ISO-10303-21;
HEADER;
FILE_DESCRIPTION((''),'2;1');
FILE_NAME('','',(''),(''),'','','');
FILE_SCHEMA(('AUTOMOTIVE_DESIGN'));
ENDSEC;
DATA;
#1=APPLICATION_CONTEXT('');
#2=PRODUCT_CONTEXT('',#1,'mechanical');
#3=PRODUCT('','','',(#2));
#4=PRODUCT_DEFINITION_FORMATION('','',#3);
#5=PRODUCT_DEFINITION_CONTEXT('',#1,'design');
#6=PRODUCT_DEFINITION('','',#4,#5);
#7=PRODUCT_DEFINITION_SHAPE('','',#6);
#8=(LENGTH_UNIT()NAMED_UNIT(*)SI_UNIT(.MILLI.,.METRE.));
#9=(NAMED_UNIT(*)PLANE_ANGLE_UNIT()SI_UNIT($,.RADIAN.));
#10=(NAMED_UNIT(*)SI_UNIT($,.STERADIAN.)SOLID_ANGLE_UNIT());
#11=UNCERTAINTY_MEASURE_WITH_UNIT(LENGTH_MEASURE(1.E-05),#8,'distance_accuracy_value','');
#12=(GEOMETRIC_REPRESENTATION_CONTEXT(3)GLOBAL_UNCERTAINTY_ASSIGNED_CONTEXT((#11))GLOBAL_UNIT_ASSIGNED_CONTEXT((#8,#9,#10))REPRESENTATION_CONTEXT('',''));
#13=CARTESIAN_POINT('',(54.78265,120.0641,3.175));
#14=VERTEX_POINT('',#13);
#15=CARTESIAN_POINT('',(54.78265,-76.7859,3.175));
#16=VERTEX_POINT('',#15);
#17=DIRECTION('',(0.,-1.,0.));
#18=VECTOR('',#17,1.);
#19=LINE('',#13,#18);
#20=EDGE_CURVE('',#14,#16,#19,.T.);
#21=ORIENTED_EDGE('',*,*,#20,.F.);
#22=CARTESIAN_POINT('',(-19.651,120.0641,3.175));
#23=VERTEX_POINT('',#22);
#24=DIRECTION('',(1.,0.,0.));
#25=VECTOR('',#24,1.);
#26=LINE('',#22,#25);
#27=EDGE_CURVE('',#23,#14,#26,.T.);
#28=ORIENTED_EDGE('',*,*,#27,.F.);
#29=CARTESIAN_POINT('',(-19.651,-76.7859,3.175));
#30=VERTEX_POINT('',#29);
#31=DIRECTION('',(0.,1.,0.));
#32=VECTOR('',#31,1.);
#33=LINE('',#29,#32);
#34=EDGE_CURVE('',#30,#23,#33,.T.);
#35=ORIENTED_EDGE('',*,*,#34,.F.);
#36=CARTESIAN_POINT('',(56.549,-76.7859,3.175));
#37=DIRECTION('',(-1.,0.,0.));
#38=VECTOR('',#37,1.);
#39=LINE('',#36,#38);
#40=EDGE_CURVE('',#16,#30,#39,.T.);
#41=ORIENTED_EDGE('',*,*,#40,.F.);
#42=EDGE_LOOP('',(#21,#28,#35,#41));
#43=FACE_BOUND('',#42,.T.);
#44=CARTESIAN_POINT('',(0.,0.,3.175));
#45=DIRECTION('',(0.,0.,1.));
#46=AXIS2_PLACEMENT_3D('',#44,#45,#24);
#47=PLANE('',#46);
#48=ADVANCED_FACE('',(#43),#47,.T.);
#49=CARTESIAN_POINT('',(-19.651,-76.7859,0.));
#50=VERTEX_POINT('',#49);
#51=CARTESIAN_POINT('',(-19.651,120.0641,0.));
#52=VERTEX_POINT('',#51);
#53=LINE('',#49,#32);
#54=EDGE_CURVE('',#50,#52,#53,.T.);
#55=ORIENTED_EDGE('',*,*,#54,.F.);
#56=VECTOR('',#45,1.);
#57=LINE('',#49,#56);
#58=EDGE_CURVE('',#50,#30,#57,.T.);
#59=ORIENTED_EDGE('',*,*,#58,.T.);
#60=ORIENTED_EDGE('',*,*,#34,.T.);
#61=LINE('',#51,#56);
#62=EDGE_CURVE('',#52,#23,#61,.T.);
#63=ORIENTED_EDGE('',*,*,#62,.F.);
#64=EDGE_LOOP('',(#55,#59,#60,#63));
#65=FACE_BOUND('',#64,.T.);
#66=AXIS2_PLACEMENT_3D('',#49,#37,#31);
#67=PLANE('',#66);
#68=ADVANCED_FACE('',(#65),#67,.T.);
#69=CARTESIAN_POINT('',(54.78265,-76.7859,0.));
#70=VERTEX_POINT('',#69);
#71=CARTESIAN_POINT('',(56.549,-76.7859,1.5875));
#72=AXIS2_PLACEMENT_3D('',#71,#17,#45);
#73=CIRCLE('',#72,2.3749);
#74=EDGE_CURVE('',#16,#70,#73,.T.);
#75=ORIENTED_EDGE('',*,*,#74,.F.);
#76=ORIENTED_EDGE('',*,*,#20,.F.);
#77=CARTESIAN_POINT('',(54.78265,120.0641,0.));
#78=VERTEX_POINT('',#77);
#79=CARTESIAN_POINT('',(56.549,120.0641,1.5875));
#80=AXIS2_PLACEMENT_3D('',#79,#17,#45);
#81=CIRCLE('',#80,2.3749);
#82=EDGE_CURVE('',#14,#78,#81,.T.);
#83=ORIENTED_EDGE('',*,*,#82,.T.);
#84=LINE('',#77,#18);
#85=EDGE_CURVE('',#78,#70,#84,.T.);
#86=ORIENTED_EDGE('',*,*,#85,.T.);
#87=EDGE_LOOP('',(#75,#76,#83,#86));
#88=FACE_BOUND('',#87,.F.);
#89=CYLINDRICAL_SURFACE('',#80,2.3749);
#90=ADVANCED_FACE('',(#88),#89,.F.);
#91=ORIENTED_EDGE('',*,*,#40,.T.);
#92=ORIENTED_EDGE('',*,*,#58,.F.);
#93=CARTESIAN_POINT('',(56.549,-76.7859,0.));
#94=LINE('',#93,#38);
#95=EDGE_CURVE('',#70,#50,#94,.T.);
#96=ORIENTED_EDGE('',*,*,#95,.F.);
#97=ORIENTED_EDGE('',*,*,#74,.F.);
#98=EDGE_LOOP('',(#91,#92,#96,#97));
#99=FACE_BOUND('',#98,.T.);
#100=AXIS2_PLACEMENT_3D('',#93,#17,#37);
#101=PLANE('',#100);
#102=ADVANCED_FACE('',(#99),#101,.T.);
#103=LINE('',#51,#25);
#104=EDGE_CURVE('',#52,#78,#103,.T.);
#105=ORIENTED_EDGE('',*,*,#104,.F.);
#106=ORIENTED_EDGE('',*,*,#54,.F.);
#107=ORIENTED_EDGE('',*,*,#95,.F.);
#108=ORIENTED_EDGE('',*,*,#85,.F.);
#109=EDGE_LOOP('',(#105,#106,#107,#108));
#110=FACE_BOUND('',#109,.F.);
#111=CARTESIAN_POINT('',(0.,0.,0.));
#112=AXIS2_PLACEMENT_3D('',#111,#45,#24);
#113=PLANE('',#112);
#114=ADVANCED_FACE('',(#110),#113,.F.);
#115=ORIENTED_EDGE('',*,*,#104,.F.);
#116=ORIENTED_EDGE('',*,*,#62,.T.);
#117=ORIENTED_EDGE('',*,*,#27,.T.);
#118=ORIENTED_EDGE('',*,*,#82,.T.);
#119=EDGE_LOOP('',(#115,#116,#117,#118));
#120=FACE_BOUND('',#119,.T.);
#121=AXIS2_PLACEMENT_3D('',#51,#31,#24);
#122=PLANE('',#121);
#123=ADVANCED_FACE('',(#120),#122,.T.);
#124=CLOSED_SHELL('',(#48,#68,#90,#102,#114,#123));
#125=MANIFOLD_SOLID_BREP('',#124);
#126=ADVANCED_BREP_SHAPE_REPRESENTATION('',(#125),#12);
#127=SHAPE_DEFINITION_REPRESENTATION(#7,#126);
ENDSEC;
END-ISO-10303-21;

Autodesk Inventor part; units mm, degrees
ref_plane "YZ Plane" through (0, 0, 0) normal (1, 0, 0) x (0, 1, 0)
ref_plane "XZ Plane" through (0, 0, 0) normal (0, 1, 0) x (-1, 0, 0)
ref_plane "XY Plane" through (0, 0, 0) normal (0, 0, 1) x (1, 0, 0)
sketch "Sketch1" plane through (0, 0, 0) normal (0, 0, 1) x (1, 0, 0)
  line L0 (-19.651, 120.0641) -> (56.549, 120.0641)
  line L1 (56.549, 120.0641) -> (56.549, -76.7859)
  line L2 (56.549, -76.7859) -> (-19.651, -76.7859)
  line L3 (-19.651, -76.7859) -> (-19.651, 120.0641)
  point P0 (0, 0)
  dimension "d0" = 196.85
  dimension "d1" = 76.2
extrude "Extrusion1" add sketch "Sketch1" along normal blind 3.175
hole "Hole1" at (56.549, 120.0641, 1.5875) direction (0, -1, 0) diameter 4.7498 depth 228.6 tip angle 118
